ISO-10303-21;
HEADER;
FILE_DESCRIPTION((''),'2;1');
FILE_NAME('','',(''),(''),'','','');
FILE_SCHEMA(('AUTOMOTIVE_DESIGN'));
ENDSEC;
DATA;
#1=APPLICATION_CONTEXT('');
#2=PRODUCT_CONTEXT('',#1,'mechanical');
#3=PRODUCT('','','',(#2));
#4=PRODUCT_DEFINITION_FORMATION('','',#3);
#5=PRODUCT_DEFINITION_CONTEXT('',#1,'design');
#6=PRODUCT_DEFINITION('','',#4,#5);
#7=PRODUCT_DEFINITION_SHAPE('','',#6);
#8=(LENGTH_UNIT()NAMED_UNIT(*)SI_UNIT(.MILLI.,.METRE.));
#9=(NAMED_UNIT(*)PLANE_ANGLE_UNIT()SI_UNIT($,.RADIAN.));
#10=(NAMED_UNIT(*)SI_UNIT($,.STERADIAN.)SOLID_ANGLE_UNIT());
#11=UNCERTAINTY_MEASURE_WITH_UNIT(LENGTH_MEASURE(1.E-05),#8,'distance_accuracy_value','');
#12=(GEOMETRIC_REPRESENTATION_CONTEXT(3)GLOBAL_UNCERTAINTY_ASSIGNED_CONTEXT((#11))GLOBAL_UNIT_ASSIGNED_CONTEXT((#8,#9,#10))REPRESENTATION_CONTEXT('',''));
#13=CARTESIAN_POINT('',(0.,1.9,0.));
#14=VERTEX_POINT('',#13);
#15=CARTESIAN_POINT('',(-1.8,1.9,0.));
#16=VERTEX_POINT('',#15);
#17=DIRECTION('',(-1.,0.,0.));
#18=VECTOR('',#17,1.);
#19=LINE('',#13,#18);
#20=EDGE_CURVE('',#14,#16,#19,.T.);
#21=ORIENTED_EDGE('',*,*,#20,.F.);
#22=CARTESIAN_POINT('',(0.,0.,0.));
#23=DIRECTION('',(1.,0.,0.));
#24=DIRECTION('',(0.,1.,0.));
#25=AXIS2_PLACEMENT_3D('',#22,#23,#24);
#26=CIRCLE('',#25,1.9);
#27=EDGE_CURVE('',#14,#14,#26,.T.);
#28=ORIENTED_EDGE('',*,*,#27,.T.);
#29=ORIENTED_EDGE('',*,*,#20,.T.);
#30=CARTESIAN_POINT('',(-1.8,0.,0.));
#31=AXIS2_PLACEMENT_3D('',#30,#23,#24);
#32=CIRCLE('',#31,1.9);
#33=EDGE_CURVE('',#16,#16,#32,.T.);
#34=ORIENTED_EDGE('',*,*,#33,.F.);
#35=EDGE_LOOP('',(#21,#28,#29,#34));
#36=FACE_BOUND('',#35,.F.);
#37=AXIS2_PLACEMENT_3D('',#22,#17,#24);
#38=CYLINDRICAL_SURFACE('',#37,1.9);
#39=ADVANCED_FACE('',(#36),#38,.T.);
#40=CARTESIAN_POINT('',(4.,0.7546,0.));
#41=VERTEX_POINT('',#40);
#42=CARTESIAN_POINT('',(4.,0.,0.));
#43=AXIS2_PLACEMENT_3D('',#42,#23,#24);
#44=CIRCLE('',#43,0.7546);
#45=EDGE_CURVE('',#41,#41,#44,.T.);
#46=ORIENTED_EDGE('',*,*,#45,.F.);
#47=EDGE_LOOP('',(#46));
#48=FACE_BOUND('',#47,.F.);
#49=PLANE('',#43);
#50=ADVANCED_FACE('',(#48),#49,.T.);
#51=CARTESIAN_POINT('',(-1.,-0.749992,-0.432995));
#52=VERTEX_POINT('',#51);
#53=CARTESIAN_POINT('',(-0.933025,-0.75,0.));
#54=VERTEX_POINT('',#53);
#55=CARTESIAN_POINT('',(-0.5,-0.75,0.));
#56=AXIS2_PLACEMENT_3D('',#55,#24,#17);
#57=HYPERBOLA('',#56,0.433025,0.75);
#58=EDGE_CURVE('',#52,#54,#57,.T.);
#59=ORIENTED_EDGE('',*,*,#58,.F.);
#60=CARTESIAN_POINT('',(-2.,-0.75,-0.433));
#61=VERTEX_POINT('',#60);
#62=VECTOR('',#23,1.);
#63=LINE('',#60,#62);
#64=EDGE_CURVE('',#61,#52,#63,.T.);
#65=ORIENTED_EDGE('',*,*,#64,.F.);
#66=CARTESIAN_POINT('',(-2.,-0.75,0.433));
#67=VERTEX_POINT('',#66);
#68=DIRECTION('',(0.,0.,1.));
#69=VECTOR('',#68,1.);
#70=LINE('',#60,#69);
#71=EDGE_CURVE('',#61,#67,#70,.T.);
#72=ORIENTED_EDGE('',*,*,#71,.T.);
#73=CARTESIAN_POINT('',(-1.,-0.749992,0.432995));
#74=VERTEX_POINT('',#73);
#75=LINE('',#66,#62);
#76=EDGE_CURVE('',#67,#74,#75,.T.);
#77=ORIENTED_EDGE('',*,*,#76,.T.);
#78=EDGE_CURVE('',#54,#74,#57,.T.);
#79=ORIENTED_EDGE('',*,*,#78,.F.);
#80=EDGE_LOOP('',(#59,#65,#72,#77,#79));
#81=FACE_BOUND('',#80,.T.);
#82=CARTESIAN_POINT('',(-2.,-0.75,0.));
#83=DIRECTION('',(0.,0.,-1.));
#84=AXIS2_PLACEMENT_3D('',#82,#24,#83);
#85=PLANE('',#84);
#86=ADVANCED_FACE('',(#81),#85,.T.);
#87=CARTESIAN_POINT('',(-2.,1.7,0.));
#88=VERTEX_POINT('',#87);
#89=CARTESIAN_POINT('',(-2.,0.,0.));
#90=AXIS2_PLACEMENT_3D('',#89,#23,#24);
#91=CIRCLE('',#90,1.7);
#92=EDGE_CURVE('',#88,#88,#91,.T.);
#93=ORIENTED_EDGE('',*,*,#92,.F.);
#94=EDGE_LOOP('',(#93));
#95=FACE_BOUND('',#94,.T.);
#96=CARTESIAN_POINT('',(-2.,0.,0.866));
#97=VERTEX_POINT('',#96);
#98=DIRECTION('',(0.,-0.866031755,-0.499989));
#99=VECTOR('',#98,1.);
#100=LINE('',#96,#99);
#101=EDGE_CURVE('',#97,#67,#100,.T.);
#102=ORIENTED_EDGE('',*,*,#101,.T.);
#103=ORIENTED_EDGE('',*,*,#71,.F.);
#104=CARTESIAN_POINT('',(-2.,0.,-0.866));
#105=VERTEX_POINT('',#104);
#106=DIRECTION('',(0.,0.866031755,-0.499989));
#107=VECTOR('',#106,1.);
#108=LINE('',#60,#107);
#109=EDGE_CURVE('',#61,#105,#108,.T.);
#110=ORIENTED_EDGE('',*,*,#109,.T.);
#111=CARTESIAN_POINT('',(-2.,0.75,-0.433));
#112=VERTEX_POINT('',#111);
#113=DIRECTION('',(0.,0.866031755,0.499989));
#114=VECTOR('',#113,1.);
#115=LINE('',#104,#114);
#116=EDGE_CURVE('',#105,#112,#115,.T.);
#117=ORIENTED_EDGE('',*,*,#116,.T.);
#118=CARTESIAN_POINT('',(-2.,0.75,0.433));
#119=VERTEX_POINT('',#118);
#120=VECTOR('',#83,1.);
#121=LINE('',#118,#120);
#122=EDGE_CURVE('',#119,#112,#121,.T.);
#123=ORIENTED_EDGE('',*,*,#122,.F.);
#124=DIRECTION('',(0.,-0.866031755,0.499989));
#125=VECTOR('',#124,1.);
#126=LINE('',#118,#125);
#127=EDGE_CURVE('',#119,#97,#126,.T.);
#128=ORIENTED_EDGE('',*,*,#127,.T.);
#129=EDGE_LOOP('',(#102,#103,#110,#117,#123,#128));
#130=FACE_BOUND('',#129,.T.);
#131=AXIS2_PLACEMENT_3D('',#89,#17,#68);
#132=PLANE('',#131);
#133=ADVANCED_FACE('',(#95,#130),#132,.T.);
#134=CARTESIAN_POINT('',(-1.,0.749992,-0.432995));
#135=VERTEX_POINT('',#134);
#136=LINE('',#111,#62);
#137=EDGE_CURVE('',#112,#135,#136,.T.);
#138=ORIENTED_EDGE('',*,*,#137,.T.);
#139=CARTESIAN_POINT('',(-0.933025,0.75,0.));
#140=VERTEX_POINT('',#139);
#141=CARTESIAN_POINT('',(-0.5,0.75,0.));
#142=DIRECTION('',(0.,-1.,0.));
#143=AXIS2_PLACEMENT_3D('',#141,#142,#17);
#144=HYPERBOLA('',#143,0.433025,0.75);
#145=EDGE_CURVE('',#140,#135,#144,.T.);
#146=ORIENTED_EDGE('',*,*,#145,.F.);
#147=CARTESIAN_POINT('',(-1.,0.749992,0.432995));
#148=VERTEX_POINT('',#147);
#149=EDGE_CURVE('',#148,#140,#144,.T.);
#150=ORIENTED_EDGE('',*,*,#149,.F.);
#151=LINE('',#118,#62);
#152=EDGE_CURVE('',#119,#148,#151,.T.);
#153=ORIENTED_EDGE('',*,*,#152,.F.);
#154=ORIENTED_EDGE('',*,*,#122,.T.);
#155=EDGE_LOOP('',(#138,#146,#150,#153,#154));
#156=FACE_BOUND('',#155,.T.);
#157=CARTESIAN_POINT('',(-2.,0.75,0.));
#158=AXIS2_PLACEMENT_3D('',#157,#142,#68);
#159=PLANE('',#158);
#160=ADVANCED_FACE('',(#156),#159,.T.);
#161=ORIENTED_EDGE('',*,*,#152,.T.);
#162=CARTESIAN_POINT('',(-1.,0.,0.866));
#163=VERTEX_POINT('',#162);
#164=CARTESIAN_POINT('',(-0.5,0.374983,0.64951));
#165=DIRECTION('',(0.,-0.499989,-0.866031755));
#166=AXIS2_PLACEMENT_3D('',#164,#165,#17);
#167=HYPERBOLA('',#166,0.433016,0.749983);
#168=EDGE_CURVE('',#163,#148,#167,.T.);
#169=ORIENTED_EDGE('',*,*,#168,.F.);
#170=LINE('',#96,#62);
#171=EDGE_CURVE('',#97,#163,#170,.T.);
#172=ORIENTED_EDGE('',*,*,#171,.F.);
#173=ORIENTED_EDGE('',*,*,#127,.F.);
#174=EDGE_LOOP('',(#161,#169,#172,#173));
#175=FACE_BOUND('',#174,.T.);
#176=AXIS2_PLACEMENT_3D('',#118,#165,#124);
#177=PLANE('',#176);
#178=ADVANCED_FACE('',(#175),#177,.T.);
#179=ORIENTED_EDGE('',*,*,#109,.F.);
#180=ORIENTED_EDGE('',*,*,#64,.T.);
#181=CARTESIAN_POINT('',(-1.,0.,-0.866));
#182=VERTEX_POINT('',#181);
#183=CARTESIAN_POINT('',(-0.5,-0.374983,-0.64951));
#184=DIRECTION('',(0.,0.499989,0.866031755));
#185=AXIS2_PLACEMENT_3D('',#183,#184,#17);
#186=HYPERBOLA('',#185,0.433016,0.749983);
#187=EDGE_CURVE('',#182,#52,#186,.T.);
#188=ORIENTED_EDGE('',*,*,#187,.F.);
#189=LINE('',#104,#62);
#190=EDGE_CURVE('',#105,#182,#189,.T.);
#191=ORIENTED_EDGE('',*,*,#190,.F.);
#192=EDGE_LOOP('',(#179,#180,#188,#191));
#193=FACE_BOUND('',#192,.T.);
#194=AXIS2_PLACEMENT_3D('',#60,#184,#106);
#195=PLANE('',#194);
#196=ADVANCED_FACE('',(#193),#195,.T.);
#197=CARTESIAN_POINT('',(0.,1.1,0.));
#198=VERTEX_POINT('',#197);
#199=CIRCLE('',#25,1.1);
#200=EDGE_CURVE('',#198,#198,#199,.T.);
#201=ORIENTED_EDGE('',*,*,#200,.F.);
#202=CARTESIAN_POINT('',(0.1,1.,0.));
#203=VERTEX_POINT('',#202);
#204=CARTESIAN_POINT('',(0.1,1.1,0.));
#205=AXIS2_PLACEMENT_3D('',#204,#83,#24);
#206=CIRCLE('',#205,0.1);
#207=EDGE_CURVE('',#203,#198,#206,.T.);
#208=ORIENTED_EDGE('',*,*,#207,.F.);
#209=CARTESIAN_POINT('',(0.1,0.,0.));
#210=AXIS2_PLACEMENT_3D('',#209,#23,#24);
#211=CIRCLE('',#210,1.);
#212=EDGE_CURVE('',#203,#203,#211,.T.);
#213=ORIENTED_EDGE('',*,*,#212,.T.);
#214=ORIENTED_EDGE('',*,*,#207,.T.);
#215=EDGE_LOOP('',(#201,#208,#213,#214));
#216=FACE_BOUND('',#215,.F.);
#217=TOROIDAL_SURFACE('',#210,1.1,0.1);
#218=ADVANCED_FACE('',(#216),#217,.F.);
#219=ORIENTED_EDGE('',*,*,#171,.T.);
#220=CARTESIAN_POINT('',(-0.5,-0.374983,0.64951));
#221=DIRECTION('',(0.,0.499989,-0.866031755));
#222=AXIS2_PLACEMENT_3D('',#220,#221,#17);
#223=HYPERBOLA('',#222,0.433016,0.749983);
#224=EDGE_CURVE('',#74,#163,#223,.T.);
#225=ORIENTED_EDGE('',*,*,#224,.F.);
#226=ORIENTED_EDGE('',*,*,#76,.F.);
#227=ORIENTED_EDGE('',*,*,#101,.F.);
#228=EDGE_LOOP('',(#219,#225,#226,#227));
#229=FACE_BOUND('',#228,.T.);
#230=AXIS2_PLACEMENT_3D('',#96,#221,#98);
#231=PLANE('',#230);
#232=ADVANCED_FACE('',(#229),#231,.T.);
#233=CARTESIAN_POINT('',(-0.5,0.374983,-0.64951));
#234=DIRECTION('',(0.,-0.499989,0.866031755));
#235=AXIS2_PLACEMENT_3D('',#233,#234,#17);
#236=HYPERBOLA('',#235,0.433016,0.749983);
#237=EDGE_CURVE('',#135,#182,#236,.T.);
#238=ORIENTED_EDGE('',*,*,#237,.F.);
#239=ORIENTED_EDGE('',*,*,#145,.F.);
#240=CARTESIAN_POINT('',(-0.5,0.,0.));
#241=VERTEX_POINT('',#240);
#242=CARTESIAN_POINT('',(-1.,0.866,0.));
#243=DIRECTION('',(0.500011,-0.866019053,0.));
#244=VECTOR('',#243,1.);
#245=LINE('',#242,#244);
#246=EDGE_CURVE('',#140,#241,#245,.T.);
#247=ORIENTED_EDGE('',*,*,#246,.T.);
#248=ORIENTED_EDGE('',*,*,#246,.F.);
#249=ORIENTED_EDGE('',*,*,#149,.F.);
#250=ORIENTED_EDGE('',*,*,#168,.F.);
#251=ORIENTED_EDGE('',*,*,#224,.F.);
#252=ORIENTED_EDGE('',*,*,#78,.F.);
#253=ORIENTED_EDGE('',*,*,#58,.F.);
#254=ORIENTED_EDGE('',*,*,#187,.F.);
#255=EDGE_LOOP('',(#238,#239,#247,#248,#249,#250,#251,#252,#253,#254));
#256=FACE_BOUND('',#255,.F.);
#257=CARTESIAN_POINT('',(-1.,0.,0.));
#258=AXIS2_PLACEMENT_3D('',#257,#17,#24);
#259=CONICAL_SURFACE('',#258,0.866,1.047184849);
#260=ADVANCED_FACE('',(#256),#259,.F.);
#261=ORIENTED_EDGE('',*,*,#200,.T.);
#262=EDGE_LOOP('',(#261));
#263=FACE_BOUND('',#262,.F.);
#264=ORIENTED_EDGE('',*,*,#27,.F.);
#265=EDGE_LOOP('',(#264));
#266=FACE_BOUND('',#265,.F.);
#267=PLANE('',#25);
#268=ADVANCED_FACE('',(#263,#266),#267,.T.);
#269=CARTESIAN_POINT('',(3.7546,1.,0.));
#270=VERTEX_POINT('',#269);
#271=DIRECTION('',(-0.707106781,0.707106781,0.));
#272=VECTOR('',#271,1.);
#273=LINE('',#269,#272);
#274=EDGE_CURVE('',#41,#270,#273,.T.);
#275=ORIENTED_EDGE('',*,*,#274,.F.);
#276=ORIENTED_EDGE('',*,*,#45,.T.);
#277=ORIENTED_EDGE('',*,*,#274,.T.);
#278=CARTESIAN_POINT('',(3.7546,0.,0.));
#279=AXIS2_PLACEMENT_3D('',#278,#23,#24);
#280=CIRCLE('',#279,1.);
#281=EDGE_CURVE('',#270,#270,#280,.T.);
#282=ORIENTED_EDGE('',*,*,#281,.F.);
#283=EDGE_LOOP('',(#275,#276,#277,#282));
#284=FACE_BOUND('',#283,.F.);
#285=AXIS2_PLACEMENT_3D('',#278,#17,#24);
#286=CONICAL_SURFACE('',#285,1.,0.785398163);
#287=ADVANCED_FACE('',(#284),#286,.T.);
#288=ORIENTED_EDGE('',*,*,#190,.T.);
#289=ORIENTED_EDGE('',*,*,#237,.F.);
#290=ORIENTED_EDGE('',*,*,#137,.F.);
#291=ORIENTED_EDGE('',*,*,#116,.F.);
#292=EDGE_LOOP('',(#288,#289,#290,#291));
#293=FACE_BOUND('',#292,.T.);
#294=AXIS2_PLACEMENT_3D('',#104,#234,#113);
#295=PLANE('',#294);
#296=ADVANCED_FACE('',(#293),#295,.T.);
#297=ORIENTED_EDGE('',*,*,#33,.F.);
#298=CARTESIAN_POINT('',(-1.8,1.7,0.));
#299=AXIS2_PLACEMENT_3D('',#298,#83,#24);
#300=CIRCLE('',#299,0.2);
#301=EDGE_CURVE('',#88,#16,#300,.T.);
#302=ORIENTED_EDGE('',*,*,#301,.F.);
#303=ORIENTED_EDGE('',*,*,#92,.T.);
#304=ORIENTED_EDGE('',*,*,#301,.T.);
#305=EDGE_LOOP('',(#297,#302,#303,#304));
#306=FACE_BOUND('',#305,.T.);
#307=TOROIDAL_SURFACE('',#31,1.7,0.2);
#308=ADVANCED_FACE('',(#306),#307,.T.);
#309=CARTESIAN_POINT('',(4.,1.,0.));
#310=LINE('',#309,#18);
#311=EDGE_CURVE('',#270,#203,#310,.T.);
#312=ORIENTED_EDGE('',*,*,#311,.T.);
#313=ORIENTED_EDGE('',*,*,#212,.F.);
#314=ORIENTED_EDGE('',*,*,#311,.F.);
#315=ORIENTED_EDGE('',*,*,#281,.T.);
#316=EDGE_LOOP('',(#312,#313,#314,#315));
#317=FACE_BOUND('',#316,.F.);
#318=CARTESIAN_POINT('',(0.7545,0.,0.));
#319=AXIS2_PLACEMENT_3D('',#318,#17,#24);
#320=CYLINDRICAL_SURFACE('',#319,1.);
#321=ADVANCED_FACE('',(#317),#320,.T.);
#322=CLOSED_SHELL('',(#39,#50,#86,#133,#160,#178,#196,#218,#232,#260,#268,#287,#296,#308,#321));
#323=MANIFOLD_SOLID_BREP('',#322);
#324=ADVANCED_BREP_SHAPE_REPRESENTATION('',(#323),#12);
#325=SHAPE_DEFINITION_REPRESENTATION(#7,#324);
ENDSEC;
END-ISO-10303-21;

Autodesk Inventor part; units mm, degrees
ref_plane "YZ Plane" through (0, 0, 0) normal (1, 0, 0) x (0, 1, 0)
ref_plane "XZ Plane" through (0, 0, 0) normal (0, 1, 0) x (-1, 0, 0)
sketch "Sketch1" plane through (0, 0, 0) normal (0, 0, 1) x (1, 0, 0)
  line L0 (-0.5, 0) -> (4, 0)
  line L1 (4, 0) -> (4, 1)
  line L2 (4, 1) -> (1, 1)
  line L3 (1, 1) -> (0.7545, 1)
  line L4 (0.7545, 1) -> (0, 1)
  line L5 (0, 1) -> (0, 1.9)
  line L6 (0, 1.9) -> (-2, 1.9)
  line L7 (-2, 1.9) -> (-2, 0.866)
  line L8 (-2, 0.866) -> (-1, 0.866)
  line L9 (-1, 0.866) -> (-0.5, 0)
  line L10 (-3.2, 0) -> (5.2, 0) projected
  line L11 (0, -0.38) -> (0, 2.28) projected
  line L12 (1, 1) -> (0, 1) construction
  dimension "d1" = 3
  dimension "d2" = 0.2455
  dimension "d3" = 2
  dimension "d4" = 1
  dimension "d5" = 60
  dimension "d6" = 2
  dimension "d7" = 2
  dimension "d8" = 1.7321
  dimension "d9" = 3.8
  dimension "d26" = 4
revolve "Body" add sketch "Sketch1" angle 360 about axis through (-0.5, 0, 0) along (1, 0, 0)
sketch "Sketch2" plane through (-2, 0, 0) normal (-1, 0, 0) x (0, 0, 1)
  circle A0 centre (0, 0) radius 0.866 projected
  line L0 (0, -2.66) -> (0, 2.66) projected
  line L1 (-2.66, 0) -> (2.66, 0) projected
  line L2 (0.866, 0) -> (0.433, -0.75)
  line L3 (0.433, -0.75) -> (-0.433, -0.75)
  line L4 (-0.433, -0.75) -> (-0.866, 0)
  line L5 (-0.866, 0) -> (-0.433, 0.75)
  line L6 (-0.433, 0.75) -> (0.433, 0.75)
  line L7 (0.433, 0.75) -> (0.866, 0)
extrude "Slot" add sketch "Sketch2" against normal up to next contours L7 A0 | A0 L2 | L6 L0 A0 | A0 L0 L3 | L0 L6 A0 | A0 L3 L0 | L4 A0 | A0 L5
fillet "Fillet1" radius 0.2 1 edges at (-2, -1.9, 0)
thread "Thread" size "M2x0.4" class "6g" standard "ISO Metric profile" length 3
chamfer "Chamfer1" distance 0.2454 distance2 0.2454 1 edges at (4, -1, 0) measured on face at (4, -0.4588, -0.3309)
ref_plane "Work Plane1" through (29, 0, 0) normal (0, -1, 0) x (1, 0, 0)
fillet "Fillet2" radius 0.1 1 edges at (0, -1, 0)
equation "\"d1\" = GEL"
equation "\"d3\" = KOH"
equation "\"d4\" = INTI"
equation "\"d6\" = GD"
equation "\"d7\" = BDM"
equation "\"d8\" = 1.1547 * SW"
equation "\"d9\" = KOD"
equation "\"d26\" = NLG"
equation "\"d30\" = R"
equation "\"d17\" = RR"
equation "\"d13\" = GEL"
equation "\"d15\" = -0.5 * SPD + 0.5 * GD"
equation "\"d16\" = GUL"
equation "\"GD\" = 2"
equation "\"NLG\" = 4"
equation "\"GEL\" = 3"
equation "\"KOD\" = 3.8"
equation "\"KOH\" = 2"
equation "\"INTI\" = 1"
equation "\"GAL\" = 0.61345 * PTC"
equation "\"GUL\" = 0.61345 * PTC"
equation "\"BDM\" = NND"
equation "\"SW\" = 1.5"
equation "\"RR\" = 0.2"
equation "\"SPD\" = NND - 1.2269 * PTC"
equation "\"R\" = 0.1"
equation "\"TOA\" = 30deg"
equation "\"GD1\" = THREADDIA - 1.2269 * PTC"
equation "\"THREADDIA\" = 2"
equation "\"FAWI\" = 45deg"
equation "\"PTC\" = 0.4"
equation "\"NND\" = 2"
equation "\"E0\" = 1.155 * SW"
properties part number "ISO 4762 - M2 x 4" material "Stainless Steel, 440C"
